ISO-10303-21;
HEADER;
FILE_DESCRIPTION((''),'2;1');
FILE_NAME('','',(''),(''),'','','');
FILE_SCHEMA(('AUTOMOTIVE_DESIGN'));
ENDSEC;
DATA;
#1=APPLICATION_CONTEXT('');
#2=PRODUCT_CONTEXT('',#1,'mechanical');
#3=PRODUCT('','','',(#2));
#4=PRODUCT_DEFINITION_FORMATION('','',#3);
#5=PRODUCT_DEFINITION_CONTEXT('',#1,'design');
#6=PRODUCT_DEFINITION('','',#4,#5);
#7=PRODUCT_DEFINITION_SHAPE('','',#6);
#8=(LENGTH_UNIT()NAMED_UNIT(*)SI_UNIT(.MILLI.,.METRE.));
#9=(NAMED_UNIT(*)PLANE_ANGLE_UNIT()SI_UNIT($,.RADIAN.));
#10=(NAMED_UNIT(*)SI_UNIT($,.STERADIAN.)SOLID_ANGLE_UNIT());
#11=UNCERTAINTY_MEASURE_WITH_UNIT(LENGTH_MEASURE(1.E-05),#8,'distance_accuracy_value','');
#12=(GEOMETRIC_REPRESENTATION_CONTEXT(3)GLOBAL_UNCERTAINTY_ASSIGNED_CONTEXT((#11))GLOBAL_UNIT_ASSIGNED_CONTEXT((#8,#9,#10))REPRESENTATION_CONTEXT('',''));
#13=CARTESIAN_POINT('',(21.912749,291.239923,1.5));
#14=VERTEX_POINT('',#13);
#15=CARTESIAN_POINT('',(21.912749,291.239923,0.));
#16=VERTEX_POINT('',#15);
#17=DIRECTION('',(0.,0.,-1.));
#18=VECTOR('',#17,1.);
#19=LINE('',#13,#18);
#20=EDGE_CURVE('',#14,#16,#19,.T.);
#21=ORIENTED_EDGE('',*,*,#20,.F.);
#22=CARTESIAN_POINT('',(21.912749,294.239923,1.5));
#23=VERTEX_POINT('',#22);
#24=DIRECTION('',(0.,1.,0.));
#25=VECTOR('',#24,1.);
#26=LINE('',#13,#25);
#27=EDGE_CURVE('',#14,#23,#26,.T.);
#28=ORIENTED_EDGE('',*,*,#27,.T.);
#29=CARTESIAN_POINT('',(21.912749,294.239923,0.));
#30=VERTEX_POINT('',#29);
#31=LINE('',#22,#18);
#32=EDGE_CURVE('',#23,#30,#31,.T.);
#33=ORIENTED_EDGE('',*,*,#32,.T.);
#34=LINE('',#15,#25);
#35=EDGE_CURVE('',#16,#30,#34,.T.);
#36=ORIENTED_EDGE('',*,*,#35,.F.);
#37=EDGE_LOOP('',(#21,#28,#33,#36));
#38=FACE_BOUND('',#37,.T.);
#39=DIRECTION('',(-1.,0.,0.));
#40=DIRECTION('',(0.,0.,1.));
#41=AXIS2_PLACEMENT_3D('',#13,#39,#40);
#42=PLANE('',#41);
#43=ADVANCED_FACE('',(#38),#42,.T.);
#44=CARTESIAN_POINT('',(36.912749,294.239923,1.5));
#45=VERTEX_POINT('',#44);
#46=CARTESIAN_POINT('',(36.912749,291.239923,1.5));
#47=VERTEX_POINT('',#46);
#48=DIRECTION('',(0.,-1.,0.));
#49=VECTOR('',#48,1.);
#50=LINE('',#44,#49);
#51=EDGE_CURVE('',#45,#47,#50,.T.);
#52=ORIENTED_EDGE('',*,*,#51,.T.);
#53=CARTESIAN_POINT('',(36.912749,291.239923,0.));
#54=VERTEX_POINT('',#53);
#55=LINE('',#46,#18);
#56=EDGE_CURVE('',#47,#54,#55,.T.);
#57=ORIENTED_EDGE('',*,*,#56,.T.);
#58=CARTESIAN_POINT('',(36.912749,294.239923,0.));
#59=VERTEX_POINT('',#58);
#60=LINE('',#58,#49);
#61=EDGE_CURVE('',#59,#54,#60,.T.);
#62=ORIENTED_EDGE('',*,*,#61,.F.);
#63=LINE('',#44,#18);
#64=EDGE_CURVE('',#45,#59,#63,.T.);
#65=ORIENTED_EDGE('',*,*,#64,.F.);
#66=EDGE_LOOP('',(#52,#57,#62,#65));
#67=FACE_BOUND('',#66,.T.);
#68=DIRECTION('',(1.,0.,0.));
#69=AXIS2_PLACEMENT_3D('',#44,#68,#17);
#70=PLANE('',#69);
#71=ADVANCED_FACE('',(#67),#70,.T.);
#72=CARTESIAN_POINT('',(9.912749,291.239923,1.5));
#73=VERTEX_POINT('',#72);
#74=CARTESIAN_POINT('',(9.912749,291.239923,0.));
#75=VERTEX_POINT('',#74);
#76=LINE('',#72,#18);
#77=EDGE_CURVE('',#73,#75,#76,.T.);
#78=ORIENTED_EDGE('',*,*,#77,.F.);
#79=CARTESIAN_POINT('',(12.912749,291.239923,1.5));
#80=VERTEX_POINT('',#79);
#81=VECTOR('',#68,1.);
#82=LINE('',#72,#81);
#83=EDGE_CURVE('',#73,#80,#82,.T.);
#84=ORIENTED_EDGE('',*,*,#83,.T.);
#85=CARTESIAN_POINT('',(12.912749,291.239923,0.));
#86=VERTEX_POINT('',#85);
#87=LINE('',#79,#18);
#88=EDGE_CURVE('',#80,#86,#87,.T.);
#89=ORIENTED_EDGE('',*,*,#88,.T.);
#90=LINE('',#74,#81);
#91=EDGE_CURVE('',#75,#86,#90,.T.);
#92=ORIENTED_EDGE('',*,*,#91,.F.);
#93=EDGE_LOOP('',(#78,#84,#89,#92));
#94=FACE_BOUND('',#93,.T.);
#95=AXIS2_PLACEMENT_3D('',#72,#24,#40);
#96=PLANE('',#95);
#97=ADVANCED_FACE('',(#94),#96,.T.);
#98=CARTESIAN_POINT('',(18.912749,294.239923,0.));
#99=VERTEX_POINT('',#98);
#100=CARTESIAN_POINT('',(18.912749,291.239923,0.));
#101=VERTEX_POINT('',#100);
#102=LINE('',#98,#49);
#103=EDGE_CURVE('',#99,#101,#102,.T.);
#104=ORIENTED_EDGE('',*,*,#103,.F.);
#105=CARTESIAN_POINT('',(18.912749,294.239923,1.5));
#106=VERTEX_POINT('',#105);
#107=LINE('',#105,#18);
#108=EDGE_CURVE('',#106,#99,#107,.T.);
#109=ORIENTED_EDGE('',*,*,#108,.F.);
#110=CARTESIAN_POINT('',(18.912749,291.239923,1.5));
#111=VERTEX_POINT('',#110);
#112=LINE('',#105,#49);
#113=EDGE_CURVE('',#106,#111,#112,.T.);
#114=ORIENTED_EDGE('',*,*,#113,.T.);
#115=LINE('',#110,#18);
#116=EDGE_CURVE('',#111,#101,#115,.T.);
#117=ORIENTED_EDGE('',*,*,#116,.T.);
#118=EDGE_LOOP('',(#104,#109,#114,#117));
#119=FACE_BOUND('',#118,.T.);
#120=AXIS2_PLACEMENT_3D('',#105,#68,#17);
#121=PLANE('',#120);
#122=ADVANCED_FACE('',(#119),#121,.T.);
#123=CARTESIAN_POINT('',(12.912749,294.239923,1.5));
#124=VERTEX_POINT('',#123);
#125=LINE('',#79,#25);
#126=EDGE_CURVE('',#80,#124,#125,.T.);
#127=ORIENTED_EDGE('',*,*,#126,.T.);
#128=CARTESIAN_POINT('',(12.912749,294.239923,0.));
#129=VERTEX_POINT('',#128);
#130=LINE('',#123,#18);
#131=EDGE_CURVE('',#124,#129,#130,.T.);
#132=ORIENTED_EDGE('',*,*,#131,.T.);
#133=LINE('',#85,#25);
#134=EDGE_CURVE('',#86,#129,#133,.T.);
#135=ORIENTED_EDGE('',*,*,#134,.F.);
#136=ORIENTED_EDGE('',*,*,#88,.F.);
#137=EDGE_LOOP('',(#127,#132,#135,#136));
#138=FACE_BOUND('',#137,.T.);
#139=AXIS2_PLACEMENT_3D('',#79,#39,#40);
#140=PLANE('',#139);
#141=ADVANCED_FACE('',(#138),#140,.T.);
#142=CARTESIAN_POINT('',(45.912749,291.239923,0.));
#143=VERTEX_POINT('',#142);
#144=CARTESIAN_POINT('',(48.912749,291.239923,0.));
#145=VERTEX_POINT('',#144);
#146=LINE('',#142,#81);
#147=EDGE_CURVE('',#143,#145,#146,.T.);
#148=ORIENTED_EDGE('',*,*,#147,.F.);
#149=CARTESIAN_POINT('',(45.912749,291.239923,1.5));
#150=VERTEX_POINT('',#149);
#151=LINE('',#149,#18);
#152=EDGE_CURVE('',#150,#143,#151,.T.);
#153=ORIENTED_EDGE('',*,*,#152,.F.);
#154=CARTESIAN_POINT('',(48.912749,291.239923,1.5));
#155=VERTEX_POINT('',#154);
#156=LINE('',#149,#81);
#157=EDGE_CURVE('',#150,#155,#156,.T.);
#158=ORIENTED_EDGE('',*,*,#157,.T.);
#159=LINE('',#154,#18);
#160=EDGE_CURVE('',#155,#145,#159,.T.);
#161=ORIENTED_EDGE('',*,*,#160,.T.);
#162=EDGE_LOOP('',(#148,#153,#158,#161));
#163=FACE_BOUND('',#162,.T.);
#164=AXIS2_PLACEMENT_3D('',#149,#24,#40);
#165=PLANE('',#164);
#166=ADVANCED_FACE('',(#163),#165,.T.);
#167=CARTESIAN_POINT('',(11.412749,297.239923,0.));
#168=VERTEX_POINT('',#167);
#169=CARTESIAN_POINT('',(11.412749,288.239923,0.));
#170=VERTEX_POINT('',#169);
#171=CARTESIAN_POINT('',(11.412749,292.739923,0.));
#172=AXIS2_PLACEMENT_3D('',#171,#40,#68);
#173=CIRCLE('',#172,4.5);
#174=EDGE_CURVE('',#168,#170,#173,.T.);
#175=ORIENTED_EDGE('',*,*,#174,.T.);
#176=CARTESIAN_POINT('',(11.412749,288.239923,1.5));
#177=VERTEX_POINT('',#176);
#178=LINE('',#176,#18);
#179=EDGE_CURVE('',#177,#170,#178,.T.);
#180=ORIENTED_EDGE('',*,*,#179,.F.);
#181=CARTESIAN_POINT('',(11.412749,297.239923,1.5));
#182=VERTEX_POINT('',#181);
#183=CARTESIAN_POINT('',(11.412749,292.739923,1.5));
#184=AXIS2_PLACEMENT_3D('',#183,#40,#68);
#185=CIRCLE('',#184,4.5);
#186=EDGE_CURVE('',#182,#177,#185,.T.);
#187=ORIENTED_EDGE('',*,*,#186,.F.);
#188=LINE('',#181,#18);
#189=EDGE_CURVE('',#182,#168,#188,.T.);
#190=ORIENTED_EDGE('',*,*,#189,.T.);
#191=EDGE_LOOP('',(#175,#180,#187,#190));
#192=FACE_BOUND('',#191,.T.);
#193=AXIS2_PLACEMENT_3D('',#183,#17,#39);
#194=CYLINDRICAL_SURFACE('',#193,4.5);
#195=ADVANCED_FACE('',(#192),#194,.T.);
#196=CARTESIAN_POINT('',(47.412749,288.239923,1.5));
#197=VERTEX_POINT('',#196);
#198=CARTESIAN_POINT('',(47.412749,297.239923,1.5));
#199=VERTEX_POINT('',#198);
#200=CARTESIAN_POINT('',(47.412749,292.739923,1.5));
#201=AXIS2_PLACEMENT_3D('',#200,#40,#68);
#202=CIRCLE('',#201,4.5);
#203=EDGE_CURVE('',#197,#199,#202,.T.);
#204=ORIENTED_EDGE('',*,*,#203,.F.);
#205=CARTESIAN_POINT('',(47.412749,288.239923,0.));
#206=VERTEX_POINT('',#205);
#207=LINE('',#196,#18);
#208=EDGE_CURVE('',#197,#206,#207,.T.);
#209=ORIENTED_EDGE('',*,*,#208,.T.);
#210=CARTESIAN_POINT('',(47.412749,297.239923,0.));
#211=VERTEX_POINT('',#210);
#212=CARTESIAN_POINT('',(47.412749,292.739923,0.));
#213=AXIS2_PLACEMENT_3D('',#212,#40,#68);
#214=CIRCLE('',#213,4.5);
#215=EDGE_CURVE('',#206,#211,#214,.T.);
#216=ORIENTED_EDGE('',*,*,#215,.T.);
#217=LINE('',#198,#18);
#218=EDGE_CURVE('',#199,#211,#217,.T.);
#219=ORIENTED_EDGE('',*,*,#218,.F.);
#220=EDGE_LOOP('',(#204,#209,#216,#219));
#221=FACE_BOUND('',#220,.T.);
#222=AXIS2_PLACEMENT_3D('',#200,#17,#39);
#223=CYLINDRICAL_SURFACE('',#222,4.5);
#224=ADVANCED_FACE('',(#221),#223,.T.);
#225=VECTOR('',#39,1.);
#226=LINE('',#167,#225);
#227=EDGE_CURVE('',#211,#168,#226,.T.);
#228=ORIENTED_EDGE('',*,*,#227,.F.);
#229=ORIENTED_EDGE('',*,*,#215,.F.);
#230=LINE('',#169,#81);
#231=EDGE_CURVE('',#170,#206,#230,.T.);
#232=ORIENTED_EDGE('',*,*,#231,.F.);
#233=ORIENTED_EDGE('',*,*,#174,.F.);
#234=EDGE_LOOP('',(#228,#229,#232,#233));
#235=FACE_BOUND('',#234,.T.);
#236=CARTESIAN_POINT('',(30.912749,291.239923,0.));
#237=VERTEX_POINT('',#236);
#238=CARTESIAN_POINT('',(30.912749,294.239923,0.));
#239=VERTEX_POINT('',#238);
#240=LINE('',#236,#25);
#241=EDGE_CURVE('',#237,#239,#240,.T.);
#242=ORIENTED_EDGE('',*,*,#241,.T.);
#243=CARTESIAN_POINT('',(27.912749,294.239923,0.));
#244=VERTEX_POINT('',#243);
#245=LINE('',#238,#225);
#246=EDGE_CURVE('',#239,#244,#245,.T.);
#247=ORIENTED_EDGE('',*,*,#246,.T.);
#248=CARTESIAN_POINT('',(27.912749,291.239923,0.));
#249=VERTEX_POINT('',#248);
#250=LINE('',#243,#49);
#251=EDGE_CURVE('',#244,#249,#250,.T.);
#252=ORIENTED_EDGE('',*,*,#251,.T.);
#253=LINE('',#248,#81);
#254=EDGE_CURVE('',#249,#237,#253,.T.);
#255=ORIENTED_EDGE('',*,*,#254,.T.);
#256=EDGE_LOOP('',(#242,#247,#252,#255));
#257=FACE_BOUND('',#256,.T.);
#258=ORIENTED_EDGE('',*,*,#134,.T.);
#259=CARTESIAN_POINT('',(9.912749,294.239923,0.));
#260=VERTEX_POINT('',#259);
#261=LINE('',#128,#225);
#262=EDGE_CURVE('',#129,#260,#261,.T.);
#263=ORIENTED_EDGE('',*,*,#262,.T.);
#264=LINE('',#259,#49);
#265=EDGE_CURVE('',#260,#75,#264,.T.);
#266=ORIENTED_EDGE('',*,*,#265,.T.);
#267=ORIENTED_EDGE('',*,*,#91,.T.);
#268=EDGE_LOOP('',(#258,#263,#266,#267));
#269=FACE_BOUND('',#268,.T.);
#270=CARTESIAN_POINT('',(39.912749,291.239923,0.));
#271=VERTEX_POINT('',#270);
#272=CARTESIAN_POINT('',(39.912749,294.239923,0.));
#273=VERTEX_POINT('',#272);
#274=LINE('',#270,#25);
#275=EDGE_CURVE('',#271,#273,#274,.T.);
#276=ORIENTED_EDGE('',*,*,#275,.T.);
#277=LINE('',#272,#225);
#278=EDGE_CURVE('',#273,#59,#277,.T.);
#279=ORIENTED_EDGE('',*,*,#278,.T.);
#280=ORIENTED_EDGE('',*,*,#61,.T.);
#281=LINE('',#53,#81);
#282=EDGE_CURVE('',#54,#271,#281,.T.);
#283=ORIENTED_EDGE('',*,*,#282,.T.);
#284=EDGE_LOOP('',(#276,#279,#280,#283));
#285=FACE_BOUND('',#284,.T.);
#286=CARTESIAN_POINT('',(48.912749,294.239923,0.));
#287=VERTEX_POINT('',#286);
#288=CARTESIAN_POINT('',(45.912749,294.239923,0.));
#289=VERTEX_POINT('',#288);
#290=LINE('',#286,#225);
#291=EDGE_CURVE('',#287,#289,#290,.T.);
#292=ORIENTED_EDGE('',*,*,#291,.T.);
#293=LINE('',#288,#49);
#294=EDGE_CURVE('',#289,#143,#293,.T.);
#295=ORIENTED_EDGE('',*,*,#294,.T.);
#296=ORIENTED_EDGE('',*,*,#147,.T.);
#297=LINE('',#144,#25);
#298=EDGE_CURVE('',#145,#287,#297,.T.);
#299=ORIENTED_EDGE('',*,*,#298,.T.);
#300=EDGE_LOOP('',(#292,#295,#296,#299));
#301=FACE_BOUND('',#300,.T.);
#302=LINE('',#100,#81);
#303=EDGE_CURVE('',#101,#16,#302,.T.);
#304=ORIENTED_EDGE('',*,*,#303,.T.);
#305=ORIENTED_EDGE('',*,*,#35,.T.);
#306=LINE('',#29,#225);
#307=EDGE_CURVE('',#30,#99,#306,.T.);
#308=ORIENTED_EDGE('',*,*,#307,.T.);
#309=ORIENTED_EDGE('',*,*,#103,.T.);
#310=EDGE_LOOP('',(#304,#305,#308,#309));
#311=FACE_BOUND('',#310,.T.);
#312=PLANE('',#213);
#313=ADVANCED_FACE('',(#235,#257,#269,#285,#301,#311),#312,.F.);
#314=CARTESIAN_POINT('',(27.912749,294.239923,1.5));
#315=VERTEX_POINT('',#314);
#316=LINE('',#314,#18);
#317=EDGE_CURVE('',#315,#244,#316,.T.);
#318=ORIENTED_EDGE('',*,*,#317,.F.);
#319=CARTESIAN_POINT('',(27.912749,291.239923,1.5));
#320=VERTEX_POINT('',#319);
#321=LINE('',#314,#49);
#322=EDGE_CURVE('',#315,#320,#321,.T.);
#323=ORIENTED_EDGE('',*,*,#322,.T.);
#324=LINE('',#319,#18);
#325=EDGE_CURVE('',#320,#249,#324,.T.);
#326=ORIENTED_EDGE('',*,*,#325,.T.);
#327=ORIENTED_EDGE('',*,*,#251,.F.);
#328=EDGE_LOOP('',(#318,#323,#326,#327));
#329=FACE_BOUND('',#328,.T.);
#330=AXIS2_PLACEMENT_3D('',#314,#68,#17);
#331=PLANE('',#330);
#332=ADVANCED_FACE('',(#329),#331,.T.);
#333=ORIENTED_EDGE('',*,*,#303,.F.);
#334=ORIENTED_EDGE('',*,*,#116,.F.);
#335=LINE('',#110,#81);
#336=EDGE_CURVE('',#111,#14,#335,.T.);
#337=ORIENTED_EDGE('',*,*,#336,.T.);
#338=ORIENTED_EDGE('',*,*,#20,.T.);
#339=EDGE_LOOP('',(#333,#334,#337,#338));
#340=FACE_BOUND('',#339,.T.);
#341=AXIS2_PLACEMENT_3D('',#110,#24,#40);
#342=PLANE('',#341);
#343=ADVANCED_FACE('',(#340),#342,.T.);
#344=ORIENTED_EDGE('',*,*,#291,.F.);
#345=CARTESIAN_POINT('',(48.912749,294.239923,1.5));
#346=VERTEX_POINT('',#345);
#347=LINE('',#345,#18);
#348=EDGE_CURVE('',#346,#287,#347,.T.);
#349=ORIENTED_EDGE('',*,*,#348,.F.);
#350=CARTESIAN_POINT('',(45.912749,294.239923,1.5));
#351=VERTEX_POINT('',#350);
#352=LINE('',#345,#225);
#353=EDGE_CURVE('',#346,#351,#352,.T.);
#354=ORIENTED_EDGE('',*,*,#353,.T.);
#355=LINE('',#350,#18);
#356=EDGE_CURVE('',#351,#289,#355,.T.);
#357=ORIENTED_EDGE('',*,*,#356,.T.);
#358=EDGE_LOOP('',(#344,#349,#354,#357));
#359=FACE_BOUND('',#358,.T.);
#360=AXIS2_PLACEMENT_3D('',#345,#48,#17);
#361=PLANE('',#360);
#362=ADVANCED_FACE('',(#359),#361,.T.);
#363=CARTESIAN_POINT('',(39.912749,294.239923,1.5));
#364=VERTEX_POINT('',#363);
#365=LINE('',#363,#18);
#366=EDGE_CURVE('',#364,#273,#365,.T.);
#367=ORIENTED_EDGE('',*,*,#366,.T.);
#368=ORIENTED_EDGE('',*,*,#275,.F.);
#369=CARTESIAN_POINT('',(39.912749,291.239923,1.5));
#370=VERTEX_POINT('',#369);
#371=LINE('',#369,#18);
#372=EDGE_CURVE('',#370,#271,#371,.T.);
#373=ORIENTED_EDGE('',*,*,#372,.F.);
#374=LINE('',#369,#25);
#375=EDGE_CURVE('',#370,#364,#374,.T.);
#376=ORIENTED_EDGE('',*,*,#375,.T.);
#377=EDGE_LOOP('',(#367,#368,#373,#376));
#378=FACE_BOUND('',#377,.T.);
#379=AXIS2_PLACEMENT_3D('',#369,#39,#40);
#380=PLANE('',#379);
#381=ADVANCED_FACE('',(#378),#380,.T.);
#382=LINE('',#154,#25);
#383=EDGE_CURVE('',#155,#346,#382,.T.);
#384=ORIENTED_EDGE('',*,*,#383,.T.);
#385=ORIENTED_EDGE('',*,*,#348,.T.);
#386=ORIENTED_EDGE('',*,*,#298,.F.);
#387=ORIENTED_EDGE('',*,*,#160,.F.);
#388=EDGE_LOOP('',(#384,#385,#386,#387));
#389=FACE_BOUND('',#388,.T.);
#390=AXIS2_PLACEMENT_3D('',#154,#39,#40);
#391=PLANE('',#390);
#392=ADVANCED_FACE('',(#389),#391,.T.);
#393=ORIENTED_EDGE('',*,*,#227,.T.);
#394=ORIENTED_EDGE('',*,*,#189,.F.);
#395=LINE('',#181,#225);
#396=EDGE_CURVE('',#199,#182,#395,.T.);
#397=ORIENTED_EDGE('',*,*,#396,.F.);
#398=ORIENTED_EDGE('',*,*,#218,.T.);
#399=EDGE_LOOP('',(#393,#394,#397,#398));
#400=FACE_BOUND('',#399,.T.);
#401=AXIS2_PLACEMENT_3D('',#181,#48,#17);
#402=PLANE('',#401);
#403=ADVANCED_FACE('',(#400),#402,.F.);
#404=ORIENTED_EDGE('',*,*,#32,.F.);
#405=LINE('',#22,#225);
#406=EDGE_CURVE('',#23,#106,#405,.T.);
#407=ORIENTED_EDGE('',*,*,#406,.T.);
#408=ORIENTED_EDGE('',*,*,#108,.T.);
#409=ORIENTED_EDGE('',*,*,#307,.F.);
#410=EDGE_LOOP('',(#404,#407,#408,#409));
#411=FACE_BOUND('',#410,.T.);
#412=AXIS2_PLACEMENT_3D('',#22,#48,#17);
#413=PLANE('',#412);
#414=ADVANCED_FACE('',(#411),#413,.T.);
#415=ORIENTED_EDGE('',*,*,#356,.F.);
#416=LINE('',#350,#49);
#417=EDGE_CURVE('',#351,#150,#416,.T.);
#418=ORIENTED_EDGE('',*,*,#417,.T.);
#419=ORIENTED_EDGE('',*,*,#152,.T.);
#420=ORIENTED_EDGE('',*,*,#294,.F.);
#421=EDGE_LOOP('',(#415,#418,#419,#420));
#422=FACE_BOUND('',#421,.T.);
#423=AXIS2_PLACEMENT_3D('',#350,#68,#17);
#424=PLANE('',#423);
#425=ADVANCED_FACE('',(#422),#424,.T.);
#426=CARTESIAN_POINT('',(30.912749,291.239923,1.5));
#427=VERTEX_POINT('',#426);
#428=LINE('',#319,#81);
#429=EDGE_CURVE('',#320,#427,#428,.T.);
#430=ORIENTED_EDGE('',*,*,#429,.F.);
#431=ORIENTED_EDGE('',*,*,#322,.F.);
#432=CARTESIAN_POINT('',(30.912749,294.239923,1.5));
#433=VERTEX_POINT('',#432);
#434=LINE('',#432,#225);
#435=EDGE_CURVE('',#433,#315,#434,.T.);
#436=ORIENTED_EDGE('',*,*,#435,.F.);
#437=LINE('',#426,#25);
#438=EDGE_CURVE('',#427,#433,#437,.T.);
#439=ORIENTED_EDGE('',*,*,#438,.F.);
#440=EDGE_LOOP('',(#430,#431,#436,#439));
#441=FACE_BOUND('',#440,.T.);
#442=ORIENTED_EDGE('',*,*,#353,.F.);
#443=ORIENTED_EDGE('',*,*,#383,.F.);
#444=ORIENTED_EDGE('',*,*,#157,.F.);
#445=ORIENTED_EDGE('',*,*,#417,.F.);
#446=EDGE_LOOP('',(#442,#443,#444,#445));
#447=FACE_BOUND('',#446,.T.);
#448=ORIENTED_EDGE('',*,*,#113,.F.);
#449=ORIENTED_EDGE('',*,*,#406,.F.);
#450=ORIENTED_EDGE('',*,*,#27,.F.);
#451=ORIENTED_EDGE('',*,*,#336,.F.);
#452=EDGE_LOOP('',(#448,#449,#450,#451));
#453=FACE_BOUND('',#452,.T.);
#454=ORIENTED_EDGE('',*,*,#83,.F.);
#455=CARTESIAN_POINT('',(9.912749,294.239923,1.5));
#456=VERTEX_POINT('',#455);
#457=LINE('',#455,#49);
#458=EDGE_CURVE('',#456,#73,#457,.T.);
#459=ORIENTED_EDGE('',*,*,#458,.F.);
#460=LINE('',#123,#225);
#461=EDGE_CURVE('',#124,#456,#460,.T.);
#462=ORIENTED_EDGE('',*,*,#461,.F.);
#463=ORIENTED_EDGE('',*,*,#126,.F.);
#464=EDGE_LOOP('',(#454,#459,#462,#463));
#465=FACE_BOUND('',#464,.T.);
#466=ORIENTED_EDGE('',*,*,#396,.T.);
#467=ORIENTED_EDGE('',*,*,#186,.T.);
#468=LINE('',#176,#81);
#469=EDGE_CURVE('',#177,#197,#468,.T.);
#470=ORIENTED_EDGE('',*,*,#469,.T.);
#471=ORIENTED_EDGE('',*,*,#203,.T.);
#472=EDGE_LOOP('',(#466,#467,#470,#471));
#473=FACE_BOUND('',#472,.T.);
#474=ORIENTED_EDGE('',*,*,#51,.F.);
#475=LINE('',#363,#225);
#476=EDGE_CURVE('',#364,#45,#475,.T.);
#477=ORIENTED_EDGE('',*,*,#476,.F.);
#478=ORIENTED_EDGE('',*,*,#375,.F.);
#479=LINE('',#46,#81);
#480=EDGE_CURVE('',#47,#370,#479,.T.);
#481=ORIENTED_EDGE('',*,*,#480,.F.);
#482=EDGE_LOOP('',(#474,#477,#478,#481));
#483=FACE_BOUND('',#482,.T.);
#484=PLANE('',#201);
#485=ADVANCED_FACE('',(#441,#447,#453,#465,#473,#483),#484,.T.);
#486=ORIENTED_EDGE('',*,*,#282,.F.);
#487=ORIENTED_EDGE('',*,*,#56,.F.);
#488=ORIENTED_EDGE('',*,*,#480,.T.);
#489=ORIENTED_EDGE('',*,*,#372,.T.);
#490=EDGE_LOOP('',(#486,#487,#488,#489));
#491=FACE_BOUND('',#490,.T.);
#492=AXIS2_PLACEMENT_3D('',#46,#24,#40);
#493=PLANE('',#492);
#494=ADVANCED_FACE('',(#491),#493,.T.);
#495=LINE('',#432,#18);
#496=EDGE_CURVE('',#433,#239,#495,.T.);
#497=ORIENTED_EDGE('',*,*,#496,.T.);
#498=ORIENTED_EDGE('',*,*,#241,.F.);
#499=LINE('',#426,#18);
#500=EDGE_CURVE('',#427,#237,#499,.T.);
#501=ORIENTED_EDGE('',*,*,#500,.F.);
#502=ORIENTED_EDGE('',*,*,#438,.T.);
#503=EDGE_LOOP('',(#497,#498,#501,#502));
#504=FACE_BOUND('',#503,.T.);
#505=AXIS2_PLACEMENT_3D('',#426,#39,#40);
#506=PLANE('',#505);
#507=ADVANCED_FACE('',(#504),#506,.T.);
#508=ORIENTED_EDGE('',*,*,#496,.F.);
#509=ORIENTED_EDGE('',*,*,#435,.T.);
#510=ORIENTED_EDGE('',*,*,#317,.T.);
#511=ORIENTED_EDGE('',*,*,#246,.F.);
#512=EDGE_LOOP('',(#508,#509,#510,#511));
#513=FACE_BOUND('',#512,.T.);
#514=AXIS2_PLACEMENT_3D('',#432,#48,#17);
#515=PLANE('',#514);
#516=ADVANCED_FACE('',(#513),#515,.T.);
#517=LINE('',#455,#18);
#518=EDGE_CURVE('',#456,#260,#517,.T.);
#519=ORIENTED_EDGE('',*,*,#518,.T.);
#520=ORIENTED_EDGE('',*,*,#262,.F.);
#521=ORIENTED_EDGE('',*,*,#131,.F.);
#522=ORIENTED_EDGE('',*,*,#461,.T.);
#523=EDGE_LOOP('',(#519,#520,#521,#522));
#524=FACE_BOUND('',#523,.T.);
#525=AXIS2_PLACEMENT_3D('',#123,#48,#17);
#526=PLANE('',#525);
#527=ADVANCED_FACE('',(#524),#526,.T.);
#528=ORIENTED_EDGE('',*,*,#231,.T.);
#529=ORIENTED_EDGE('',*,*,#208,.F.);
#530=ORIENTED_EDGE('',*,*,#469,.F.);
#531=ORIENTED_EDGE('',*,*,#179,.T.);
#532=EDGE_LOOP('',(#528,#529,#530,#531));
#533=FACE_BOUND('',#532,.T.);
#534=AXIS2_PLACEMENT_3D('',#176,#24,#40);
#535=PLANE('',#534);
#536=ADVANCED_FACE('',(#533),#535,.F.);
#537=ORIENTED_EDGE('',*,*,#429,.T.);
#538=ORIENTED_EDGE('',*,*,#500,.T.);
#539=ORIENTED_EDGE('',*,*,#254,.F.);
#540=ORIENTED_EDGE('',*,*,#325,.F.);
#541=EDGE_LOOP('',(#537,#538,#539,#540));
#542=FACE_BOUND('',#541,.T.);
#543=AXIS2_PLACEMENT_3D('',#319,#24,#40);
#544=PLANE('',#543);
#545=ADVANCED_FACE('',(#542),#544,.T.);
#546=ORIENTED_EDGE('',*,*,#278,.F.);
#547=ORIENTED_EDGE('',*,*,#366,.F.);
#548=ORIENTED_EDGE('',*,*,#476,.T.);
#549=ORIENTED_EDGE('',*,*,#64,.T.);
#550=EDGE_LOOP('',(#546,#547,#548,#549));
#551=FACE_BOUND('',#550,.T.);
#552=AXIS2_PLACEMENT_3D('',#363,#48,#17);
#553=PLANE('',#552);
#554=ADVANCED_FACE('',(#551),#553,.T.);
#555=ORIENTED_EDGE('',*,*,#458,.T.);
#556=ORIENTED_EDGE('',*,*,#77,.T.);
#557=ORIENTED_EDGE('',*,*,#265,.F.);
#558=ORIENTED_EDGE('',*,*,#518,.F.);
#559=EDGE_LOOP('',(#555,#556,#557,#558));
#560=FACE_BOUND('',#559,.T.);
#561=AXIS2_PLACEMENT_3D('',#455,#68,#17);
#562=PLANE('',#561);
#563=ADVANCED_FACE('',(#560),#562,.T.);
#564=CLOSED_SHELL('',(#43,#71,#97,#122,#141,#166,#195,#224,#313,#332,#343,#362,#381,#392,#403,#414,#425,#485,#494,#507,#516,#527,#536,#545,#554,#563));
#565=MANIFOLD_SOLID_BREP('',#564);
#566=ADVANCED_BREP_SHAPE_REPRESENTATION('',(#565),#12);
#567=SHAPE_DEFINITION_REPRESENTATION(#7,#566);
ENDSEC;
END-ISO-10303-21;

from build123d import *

# Parameters (mm, degrees)
MODEL_W                 = 3
MODEL_H                 = 3
SALIENTE_EXTRUIR1_DEPTH = 1.5


with BuildPart() as part:
    # Model → Saliente-Extruir1 (new body)
    with BuildSketch(Plane.XY):
        with BuildLine():
            Line((11.412749203, 297.239922936), (47.412749203, 297.239922936))
            ThreePointArc((47.412749203, 297.239922936), (51.912749203, 292.739922936), (47.412749203, 288.239922936))
            Line((47.412749203, 288.239922936), (11.412749203, 288.239922936))
            ThreePointArc((11.412749203, 288.239922936), (6.912749203, 292.739922936), (11.412749203, 297.239922936))
        make_face()
        with Locations((11.412749203, 292.739922936)):
            Rectangle(MODEL_W, MODEL_H, mode=Mode.SUBTRACT)
        with Locations((20.412749203, 292.739922936)):
            Rectangle(MODEL_W, MODEL_H, mode=Mode.SUBTRACT)
        with Locations((29.412749203, 292.739922936)):
            Rectangle(MODEL_W, MODEL_H, mode=Mode.SUBTRACT)
        with Locations((38.412749203, 292.739922936)):
            Rectangle(MODEL_W, MODEL_H, mode=Mode.SUBTRACT)
        with Locations((47.412749203, 292.739922936)):
            Rectangle(MODEL_W, MODEL_H, mode=Mode.SUBTRACT)
    extrude(amount=SALIENTE_EXTRUIR1_DEPTH)


solid = part.part
